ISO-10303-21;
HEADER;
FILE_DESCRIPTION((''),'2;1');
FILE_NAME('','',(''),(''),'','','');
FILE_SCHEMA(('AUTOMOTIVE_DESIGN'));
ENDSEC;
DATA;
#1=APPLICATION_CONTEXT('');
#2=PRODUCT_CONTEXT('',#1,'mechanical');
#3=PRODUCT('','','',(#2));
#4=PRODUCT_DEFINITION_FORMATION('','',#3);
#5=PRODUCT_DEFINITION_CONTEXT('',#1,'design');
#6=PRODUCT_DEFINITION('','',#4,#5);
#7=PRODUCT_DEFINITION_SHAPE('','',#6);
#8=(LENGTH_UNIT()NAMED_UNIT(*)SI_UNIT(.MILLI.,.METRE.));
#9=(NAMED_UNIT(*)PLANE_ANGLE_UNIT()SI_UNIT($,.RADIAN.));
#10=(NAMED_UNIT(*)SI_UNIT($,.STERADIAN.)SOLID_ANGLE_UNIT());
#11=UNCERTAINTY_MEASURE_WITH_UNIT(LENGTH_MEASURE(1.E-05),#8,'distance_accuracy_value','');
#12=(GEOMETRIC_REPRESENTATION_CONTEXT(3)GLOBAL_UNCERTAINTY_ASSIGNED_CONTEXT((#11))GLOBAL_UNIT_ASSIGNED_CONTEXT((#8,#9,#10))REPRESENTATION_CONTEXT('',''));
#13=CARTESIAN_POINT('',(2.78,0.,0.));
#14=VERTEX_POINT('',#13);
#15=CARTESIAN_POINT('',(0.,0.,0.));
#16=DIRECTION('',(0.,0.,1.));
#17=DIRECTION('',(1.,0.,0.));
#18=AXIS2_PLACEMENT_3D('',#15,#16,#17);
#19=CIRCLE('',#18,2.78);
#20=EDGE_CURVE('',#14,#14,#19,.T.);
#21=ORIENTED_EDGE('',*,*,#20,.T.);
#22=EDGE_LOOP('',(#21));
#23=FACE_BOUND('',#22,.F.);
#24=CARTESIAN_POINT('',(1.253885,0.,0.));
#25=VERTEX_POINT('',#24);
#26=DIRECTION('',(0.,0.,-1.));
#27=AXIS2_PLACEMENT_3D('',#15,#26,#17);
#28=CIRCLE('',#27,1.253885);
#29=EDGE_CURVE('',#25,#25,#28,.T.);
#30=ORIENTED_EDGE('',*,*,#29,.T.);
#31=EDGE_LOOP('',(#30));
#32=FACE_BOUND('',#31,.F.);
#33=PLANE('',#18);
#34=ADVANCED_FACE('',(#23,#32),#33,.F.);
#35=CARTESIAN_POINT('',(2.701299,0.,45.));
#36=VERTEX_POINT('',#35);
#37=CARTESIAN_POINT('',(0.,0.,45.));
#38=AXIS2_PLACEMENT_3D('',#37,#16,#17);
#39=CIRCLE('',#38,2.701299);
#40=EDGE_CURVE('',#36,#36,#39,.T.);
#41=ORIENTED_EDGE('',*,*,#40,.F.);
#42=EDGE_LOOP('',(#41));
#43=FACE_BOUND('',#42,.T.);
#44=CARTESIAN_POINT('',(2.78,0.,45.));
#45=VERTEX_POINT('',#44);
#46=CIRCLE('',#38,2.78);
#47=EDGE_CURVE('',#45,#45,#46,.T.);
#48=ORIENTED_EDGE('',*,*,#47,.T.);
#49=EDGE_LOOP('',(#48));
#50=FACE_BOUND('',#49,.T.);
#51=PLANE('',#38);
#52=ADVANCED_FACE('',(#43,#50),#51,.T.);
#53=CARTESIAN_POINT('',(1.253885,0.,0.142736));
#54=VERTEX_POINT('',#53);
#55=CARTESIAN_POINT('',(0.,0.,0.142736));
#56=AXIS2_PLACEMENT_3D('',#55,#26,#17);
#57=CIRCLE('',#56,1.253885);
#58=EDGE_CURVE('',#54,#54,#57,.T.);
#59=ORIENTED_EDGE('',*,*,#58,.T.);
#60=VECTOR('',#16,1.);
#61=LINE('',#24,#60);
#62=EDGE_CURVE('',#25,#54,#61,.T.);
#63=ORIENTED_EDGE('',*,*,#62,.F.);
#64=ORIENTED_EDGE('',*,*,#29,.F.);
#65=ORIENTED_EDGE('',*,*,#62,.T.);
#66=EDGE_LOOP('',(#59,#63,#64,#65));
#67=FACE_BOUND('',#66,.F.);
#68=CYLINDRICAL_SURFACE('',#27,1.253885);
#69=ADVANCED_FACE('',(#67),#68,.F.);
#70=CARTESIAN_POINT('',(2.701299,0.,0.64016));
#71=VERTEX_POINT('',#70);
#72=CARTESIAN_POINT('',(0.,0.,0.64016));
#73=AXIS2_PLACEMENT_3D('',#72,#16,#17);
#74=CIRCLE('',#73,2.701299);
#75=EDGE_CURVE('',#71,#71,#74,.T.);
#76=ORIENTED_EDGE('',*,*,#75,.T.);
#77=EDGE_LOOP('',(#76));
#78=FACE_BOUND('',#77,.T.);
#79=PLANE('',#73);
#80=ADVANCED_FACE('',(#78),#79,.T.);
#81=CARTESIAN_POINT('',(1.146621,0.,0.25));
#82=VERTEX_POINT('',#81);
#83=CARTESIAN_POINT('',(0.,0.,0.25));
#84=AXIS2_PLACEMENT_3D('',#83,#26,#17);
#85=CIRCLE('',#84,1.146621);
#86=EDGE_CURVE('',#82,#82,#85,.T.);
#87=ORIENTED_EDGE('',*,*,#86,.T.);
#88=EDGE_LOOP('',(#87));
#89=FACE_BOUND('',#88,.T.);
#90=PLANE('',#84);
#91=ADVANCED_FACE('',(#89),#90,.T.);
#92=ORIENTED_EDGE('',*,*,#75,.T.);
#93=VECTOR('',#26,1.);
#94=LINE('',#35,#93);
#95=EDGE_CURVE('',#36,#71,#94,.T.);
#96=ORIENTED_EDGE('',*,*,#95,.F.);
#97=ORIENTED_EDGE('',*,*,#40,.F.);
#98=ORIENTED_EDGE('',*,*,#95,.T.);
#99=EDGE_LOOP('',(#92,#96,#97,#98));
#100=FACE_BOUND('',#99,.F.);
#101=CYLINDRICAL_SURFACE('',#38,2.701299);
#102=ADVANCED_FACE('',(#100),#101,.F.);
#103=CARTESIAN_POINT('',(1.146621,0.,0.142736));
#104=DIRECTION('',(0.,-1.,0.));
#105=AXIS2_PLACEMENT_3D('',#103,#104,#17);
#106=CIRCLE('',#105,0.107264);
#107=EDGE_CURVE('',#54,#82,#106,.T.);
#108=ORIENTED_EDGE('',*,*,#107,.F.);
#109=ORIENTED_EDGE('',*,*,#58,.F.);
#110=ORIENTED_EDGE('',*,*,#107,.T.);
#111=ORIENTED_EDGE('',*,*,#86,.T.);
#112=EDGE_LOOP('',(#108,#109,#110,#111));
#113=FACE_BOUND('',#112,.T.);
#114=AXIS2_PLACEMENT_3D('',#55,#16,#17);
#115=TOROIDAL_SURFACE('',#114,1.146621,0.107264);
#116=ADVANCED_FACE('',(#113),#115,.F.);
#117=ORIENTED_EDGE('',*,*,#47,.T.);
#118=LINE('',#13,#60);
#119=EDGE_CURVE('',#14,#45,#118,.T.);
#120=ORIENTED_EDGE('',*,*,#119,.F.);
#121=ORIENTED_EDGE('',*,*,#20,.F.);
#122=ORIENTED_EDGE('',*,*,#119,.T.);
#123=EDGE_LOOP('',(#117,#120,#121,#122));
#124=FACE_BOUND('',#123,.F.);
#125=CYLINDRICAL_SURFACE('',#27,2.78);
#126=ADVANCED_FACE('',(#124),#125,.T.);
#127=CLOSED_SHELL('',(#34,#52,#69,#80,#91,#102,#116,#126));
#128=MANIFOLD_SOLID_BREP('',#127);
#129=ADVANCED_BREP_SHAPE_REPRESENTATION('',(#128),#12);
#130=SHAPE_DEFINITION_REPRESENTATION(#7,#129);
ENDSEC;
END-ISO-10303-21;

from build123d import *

# Parameters (mm, degrees)
F0_R     = 2.78
F1_DEPTH = 45
F2_R     = 2.701299
F3_DEPTH = 44.35984
F4_R     = 1.253885
F5_DEPTH = 0.25
F6_R     = 0.107264


with BuildPart() as f1:
    # F0 (on Top) → F1 (new body)
    with BuildSketch(Plane.XY):
        Circle(F0_R)
    extrude(amount=F1_DEPTH)

    # F2 (on face) → F3 (cut)
    with BuildSketch(Plane.XY.offset(45)):
        Circle(F2_R)
    extrude(amount=-F3_DEPTH, mode=Mode.SUBTRACT)

    # F4 (on face) → F5 (cut)
    with BuildSketch(Plane(origin=(0, 0, 0), x_dir=(1, 0, 0), z_dir=(0, 0, -1))):
        Circle(F4_R)
    extrude(amount=-F5_DEPTH, mode=Mode.SUBTRACT)

    # F6
    f6_edges = [f1.edges().sort_by_distance(p)[0] for p in [
        (-1.253885, 0, 0.25),
    ]]
    fillet(f6_edges, radius=F6_R)


solid = f1.part
